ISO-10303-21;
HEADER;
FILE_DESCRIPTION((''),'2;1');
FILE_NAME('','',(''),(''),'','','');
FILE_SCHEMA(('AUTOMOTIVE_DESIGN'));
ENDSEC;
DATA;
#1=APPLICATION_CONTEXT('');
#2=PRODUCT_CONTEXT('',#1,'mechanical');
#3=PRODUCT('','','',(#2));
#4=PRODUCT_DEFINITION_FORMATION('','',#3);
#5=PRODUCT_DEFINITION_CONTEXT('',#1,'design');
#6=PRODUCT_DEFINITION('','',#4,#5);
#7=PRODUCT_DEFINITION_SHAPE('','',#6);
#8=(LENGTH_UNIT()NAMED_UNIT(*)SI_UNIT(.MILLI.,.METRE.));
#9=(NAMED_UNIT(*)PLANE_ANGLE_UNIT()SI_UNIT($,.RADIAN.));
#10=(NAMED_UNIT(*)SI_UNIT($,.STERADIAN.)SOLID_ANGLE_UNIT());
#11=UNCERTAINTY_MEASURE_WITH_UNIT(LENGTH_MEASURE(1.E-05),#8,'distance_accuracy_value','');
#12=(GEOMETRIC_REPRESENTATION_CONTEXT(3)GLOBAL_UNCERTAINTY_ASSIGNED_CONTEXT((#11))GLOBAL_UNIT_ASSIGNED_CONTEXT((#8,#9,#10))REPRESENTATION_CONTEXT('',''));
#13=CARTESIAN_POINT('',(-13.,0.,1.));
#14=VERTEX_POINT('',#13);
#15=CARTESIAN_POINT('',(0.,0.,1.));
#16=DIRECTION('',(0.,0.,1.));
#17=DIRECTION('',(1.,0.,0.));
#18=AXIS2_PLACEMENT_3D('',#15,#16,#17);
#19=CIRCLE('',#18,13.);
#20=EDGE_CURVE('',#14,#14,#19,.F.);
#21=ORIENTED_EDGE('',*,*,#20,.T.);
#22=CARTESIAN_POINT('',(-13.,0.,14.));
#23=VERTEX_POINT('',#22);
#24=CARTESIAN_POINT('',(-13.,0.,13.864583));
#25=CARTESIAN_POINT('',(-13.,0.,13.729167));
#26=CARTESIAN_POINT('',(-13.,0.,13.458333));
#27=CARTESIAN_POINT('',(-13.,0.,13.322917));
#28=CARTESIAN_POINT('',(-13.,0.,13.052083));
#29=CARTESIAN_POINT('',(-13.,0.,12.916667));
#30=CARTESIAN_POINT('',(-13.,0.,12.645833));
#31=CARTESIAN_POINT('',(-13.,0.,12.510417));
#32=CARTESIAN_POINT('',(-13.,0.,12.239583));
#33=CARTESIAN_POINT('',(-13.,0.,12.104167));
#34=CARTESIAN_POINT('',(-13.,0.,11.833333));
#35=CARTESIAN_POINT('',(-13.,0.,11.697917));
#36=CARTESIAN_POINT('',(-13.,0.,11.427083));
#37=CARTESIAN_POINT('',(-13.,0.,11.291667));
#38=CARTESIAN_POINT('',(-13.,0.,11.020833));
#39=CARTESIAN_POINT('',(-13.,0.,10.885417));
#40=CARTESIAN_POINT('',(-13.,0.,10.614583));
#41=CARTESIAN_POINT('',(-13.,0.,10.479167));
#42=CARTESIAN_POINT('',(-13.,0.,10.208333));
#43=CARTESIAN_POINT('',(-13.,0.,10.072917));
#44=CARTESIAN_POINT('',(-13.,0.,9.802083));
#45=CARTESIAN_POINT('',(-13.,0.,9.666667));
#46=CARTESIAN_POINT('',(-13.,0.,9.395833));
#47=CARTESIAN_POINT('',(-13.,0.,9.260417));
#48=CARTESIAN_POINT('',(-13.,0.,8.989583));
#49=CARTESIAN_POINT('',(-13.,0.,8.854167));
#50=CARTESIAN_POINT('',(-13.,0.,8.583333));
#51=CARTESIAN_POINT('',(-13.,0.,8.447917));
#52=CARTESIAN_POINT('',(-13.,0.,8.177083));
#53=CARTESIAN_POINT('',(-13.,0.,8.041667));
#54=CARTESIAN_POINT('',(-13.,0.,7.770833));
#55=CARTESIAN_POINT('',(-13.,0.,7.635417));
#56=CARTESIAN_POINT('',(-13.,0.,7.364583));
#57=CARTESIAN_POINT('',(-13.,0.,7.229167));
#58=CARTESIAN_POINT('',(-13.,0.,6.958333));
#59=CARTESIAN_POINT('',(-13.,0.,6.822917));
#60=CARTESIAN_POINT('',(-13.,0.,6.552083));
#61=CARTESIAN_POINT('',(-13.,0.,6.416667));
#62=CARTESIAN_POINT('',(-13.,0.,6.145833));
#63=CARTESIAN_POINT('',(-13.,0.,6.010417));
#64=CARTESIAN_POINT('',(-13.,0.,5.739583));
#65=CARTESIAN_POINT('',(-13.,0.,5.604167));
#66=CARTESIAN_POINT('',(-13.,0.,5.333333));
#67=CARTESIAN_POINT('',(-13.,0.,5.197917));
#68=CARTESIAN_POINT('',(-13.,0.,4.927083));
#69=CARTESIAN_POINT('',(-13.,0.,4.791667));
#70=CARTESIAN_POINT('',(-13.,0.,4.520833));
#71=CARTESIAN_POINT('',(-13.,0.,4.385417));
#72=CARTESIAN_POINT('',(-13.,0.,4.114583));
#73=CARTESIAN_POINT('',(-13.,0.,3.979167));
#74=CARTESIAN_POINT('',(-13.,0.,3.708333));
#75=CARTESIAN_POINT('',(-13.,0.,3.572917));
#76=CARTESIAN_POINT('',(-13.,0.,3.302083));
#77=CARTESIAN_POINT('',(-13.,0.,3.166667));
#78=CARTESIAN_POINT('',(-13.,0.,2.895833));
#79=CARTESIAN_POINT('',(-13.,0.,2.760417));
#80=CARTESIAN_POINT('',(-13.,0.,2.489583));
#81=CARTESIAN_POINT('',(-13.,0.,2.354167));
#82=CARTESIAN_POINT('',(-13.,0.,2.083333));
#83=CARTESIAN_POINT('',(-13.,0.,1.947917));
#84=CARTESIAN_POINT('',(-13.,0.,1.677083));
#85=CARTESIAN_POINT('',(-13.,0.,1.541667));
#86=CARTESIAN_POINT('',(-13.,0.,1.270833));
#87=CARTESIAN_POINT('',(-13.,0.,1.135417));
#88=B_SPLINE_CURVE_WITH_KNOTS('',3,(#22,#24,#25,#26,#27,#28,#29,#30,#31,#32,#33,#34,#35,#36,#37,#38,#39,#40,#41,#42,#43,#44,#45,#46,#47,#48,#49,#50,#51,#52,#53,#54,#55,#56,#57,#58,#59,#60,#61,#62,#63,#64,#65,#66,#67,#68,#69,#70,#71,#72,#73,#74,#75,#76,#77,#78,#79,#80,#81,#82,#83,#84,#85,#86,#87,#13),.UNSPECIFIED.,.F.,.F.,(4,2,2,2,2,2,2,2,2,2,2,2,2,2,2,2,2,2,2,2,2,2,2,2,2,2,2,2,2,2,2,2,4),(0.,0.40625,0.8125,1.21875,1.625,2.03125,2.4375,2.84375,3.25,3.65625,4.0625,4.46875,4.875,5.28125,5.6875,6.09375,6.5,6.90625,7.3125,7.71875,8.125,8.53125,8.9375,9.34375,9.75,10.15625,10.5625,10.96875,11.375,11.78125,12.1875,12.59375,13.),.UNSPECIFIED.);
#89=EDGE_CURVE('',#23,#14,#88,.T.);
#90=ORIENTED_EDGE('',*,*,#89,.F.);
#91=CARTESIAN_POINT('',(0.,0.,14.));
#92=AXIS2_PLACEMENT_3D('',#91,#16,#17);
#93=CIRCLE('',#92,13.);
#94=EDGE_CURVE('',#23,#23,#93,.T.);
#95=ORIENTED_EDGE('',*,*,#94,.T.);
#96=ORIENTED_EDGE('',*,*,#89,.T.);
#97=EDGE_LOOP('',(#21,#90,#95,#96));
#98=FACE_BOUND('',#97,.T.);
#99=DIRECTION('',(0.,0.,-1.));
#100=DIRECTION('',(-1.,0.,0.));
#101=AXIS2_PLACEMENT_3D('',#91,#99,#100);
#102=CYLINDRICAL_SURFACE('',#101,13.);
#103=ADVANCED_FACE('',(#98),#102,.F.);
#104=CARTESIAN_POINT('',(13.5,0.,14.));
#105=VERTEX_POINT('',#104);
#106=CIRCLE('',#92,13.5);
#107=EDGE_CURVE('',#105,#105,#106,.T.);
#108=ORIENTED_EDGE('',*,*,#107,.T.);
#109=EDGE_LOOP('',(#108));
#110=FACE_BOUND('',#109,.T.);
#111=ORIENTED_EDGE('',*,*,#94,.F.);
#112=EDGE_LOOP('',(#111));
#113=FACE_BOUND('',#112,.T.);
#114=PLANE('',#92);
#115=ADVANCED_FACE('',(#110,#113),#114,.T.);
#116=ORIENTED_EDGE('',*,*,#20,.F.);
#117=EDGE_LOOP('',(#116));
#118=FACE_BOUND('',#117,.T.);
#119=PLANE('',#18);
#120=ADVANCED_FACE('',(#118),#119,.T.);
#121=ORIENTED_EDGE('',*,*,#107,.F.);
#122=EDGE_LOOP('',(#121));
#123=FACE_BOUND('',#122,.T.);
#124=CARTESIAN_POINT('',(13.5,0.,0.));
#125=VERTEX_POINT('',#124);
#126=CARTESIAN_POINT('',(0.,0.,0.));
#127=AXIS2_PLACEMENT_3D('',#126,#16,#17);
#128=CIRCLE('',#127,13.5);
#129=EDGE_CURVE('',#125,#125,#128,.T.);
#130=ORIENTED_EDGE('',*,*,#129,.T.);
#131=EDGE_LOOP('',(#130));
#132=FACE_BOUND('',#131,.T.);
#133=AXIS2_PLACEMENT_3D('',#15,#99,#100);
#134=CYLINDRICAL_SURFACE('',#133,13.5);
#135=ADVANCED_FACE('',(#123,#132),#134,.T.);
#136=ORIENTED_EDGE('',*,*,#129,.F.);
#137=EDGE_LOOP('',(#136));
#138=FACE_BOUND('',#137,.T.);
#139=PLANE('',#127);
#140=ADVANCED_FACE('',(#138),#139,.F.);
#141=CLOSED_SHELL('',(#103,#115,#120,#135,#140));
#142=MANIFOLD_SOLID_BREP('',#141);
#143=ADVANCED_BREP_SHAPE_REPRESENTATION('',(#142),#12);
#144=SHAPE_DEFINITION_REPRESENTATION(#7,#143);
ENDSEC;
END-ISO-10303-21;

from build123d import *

# Parameters (mm, degrees)
SKETCH1_R           = 13.5
BOSS_EXTRUDE1_DEPTH = 1
SKETCH2_R           = 13.5
SKETCH2_R_2         = 13
BOSS_EXTRUDE2_DEPTH = 13


with BuildPart() as part:
    # Sketch1 → Boss-Extrude1 (new body)
    with BuildSketch(Plane.XY):
        Circle(SKETCH1_R)
    extrude(amount=BOSS_EXTRUDE1_DEPTH)

    # Sketch2 → Boss-Extrude2 (add)
    with BuildSketch(Plane.XY.offset(1)):
        Circle(SKETCH2_R)
        with Locations(Location((0, 0, 0), (0, 0, 180))):
            Circle(SKETCH2_R_2, mode=Mode.SUBTRACT)
    extrude(amount=BOSS_EXTRUDE2_DEPTH)


solid = part.part
